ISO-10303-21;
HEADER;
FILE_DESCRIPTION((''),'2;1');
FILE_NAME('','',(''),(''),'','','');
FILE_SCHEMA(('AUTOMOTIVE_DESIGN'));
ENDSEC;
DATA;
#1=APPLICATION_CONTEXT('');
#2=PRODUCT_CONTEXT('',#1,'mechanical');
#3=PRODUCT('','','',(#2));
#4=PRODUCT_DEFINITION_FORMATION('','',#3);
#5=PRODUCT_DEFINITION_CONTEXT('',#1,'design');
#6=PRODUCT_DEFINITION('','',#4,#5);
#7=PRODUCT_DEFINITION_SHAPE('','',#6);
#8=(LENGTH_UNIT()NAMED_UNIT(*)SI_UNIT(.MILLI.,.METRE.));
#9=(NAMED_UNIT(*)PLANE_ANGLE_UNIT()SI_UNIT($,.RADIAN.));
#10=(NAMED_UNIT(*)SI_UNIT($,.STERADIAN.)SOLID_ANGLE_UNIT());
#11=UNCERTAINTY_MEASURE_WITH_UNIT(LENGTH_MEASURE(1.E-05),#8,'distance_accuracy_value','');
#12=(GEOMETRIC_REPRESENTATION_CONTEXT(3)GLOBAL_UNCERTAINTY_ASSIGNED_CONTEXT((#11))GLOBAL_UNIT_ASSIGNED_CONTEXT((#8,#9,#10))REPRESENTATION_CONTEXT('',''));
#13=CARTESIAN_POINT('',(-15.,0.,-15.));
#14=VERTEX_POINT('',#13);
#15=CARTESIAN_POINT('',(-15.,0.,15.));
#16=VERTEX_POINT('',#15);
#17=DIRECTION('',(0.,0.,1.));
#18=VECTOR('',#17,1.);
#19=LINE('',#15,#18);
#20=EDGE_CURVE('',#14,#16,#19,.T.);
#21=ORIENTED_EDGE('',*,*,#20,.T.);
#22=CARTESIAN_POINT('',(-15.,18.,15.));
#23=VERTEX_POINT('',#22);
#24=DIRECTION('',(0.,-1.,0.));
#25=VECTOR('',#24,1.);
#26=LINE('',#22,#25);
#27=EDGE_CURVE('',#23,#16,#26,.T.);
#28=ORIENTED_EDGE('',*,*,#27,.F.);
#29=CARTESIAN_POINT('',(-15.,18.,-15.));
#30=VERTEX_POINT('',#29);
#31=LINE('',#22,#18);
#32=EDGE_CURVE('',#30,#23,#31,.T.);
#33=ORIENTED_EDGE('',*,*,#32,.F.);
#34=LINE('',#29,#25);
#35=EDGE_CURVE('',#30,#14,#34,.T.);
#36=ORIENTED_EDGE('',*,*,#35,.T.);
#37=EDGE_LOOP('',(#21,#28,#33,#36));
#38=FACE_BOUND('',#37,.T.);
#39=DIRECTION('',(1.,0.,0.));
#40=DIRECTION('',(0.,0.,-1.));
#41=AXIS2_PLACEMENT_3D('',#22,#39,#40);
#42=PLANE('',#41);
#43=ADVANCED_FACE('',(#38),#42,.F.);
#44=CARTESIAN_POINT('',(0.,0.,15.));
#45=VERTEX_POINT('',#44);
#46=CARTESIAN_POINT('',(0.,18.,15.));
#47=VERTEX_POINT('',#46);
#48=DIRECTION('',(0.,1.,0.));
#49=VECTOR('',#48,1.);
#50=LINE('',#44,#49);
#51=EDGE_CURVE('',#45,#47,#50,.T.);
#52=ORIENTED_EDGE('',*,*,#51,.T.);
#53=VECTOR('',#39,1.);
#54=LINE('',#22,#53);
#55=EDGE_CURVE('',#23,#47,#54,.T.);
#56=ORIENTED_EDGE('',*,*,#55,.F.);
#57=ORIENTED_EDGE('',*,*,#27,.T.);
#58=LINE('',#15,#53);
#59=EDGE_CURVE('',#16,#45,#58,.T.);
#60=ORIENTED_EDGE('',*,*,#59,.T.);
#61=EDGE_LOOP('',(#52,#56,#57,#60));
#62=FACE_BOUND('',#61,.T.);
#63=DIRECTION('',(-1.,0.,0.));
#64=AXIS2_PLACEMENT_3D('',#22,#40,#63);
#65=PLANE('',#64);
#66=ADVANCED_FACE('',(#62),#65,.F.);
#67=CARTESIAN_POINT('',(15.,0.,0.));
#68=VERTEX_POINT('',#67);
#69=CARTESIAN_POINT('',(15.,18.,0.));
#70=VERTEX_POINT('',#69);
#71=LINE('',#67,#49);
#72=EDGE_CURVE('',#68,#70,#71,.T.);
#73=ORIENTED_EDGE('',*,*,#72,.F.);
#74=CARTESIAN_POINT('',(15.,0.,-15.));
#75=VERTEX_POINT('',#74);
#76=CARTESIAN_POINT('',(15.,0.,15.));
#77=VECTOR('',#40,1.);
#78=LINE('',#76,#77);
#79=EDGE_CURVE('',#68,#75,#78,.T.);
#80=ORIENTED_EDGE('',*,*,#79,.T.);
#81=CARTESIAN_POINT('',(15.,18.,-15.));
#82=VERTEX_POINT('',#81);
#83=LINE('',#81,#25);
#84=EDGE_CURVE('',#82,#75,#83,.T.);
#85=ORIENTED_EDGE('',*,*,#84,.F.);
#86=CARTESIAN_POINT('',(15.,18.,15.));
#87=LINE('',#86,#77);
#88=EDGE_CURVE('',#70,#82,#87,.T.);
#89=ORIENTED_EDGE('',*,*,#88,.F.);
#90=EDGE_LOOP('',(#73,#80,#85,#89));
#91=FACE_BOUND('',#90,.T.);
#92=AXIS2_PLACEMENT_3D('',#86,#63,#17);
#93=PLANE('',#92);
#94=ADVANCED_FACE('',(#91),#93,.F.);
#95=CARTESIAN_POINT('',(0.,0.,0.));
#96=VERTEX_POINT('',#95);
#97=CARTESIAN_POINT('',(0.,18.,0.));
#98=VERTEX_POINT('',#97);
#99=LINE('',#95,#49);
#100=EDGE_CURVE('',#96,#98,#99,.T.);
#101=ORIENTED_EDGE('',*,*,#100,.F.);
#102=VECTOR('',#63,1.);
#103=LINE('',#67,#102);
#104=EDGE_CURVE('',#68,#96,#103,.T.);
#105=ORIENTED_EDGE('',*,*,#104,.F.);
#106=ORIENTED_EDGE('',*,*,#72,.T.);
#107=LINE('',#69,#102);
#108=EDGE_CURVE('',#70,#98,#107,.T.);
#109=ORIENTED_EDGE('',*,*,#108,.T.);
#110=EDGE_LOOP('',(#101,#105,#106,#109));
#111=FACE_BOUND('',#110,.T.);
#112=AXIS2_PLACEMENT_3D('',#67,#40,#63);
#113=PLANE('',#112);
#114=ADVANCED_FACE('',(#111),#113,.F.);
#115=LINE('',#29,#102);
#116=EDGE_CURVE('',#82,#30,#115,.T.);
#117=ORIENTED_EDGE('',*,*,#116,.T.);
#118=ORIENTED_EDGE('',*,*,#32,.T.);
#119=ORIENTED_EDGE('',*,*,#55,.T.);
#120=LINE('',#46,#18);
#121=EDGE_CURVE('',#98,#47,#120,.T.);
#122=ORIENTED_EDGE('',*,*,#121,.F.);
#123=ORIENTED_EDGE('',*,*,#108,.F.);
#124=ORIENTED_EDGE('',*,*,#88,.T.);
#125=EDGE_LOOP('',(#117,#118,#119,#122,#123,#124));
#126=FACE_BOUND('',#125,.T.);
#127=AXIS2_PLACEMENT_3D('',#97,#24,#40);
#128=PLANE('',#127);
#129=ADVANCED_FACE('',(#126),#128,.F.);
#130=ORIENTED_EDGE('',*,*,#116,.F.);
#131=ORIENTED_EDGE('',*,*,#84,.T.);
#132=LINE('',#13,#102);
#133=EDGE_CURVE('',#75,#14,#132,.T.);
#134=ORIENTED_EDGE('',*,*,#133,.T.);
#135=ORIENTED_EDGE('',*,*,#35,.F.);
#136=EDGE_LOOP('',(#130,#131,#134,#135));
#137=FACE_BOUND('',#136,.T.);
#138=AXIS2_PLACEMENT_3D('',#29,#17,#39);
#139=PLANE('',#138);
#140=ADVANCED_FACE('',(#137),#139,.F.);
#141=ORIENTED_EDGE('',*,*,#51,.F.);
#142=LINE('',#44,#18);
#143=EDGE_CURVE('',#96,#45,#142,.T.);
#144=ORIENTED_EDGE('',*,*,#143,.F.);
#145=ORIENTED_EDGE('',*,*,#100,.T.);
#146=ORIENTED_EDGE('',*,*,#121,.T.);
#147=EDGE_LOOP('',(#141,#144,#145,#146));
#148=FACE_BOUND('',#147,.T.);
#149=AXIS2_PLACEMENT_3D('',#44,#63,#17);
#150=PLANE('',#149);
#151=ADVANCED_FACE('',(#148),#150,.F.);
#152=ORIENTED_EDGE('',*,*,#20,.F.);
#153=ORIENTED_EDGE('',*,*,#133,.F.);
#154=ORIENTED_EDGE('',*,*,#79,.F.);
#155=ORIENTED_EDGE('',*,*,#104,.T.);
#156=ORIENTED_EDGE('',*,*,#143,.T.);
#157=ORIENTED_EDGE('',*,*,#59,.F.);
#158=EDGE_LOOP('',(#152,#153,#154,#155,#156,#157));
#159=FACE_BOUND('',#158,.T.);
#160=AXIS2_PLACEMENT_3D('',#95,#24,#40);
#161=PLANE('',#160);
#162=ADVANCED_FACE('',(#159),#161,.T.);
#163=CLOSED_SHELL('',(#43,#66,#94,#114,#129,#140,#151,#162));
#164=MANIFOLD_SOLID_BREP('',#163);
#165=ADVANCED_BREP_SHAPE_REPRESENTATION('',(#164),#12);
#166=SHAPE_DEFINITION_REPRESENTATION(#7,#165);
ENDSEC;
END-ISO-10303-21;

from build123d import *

# Parameters (mm, degrees)
SKETCH1_W           = 30
SKETCH1_H           = 30
BOSS_EXTRUDE1_DEPTH = 18
SKETCH2_W           = 15
SKETCH2_H           = 15
CUT_EXTRUDE1_DEPTH  = 28.820855486


with BuildPart() as part:
    # Sketch1 → Boss-Extrude1 (new body)
    with BuildSketch(Plane(origin=(0, 0, 0), x_dir=(1, 0, 0), z_dir=(0, 1, 0))):
        Rectangle(SKETCH1_W, SKETCH1_H)
    extrude(amount=BOSS_EXTRUDE1_DEPTH)

    # Sketch2 → Cut-Extrude1 (cut, through all)
    with BuildSketch(Plane(origin=(0, 18, 0), x_dir=(1, 0, 0), z_dir=(0, 1, 0))):
        with Locations((7.5, -7.5)):
            Rectangle(SKETCH2_W, SKETCH2_H)
    extrude(amount=-CUT_EXTRUDE1_DEPTH, mode=Mode.SUBTRACT)


solid = part.part
